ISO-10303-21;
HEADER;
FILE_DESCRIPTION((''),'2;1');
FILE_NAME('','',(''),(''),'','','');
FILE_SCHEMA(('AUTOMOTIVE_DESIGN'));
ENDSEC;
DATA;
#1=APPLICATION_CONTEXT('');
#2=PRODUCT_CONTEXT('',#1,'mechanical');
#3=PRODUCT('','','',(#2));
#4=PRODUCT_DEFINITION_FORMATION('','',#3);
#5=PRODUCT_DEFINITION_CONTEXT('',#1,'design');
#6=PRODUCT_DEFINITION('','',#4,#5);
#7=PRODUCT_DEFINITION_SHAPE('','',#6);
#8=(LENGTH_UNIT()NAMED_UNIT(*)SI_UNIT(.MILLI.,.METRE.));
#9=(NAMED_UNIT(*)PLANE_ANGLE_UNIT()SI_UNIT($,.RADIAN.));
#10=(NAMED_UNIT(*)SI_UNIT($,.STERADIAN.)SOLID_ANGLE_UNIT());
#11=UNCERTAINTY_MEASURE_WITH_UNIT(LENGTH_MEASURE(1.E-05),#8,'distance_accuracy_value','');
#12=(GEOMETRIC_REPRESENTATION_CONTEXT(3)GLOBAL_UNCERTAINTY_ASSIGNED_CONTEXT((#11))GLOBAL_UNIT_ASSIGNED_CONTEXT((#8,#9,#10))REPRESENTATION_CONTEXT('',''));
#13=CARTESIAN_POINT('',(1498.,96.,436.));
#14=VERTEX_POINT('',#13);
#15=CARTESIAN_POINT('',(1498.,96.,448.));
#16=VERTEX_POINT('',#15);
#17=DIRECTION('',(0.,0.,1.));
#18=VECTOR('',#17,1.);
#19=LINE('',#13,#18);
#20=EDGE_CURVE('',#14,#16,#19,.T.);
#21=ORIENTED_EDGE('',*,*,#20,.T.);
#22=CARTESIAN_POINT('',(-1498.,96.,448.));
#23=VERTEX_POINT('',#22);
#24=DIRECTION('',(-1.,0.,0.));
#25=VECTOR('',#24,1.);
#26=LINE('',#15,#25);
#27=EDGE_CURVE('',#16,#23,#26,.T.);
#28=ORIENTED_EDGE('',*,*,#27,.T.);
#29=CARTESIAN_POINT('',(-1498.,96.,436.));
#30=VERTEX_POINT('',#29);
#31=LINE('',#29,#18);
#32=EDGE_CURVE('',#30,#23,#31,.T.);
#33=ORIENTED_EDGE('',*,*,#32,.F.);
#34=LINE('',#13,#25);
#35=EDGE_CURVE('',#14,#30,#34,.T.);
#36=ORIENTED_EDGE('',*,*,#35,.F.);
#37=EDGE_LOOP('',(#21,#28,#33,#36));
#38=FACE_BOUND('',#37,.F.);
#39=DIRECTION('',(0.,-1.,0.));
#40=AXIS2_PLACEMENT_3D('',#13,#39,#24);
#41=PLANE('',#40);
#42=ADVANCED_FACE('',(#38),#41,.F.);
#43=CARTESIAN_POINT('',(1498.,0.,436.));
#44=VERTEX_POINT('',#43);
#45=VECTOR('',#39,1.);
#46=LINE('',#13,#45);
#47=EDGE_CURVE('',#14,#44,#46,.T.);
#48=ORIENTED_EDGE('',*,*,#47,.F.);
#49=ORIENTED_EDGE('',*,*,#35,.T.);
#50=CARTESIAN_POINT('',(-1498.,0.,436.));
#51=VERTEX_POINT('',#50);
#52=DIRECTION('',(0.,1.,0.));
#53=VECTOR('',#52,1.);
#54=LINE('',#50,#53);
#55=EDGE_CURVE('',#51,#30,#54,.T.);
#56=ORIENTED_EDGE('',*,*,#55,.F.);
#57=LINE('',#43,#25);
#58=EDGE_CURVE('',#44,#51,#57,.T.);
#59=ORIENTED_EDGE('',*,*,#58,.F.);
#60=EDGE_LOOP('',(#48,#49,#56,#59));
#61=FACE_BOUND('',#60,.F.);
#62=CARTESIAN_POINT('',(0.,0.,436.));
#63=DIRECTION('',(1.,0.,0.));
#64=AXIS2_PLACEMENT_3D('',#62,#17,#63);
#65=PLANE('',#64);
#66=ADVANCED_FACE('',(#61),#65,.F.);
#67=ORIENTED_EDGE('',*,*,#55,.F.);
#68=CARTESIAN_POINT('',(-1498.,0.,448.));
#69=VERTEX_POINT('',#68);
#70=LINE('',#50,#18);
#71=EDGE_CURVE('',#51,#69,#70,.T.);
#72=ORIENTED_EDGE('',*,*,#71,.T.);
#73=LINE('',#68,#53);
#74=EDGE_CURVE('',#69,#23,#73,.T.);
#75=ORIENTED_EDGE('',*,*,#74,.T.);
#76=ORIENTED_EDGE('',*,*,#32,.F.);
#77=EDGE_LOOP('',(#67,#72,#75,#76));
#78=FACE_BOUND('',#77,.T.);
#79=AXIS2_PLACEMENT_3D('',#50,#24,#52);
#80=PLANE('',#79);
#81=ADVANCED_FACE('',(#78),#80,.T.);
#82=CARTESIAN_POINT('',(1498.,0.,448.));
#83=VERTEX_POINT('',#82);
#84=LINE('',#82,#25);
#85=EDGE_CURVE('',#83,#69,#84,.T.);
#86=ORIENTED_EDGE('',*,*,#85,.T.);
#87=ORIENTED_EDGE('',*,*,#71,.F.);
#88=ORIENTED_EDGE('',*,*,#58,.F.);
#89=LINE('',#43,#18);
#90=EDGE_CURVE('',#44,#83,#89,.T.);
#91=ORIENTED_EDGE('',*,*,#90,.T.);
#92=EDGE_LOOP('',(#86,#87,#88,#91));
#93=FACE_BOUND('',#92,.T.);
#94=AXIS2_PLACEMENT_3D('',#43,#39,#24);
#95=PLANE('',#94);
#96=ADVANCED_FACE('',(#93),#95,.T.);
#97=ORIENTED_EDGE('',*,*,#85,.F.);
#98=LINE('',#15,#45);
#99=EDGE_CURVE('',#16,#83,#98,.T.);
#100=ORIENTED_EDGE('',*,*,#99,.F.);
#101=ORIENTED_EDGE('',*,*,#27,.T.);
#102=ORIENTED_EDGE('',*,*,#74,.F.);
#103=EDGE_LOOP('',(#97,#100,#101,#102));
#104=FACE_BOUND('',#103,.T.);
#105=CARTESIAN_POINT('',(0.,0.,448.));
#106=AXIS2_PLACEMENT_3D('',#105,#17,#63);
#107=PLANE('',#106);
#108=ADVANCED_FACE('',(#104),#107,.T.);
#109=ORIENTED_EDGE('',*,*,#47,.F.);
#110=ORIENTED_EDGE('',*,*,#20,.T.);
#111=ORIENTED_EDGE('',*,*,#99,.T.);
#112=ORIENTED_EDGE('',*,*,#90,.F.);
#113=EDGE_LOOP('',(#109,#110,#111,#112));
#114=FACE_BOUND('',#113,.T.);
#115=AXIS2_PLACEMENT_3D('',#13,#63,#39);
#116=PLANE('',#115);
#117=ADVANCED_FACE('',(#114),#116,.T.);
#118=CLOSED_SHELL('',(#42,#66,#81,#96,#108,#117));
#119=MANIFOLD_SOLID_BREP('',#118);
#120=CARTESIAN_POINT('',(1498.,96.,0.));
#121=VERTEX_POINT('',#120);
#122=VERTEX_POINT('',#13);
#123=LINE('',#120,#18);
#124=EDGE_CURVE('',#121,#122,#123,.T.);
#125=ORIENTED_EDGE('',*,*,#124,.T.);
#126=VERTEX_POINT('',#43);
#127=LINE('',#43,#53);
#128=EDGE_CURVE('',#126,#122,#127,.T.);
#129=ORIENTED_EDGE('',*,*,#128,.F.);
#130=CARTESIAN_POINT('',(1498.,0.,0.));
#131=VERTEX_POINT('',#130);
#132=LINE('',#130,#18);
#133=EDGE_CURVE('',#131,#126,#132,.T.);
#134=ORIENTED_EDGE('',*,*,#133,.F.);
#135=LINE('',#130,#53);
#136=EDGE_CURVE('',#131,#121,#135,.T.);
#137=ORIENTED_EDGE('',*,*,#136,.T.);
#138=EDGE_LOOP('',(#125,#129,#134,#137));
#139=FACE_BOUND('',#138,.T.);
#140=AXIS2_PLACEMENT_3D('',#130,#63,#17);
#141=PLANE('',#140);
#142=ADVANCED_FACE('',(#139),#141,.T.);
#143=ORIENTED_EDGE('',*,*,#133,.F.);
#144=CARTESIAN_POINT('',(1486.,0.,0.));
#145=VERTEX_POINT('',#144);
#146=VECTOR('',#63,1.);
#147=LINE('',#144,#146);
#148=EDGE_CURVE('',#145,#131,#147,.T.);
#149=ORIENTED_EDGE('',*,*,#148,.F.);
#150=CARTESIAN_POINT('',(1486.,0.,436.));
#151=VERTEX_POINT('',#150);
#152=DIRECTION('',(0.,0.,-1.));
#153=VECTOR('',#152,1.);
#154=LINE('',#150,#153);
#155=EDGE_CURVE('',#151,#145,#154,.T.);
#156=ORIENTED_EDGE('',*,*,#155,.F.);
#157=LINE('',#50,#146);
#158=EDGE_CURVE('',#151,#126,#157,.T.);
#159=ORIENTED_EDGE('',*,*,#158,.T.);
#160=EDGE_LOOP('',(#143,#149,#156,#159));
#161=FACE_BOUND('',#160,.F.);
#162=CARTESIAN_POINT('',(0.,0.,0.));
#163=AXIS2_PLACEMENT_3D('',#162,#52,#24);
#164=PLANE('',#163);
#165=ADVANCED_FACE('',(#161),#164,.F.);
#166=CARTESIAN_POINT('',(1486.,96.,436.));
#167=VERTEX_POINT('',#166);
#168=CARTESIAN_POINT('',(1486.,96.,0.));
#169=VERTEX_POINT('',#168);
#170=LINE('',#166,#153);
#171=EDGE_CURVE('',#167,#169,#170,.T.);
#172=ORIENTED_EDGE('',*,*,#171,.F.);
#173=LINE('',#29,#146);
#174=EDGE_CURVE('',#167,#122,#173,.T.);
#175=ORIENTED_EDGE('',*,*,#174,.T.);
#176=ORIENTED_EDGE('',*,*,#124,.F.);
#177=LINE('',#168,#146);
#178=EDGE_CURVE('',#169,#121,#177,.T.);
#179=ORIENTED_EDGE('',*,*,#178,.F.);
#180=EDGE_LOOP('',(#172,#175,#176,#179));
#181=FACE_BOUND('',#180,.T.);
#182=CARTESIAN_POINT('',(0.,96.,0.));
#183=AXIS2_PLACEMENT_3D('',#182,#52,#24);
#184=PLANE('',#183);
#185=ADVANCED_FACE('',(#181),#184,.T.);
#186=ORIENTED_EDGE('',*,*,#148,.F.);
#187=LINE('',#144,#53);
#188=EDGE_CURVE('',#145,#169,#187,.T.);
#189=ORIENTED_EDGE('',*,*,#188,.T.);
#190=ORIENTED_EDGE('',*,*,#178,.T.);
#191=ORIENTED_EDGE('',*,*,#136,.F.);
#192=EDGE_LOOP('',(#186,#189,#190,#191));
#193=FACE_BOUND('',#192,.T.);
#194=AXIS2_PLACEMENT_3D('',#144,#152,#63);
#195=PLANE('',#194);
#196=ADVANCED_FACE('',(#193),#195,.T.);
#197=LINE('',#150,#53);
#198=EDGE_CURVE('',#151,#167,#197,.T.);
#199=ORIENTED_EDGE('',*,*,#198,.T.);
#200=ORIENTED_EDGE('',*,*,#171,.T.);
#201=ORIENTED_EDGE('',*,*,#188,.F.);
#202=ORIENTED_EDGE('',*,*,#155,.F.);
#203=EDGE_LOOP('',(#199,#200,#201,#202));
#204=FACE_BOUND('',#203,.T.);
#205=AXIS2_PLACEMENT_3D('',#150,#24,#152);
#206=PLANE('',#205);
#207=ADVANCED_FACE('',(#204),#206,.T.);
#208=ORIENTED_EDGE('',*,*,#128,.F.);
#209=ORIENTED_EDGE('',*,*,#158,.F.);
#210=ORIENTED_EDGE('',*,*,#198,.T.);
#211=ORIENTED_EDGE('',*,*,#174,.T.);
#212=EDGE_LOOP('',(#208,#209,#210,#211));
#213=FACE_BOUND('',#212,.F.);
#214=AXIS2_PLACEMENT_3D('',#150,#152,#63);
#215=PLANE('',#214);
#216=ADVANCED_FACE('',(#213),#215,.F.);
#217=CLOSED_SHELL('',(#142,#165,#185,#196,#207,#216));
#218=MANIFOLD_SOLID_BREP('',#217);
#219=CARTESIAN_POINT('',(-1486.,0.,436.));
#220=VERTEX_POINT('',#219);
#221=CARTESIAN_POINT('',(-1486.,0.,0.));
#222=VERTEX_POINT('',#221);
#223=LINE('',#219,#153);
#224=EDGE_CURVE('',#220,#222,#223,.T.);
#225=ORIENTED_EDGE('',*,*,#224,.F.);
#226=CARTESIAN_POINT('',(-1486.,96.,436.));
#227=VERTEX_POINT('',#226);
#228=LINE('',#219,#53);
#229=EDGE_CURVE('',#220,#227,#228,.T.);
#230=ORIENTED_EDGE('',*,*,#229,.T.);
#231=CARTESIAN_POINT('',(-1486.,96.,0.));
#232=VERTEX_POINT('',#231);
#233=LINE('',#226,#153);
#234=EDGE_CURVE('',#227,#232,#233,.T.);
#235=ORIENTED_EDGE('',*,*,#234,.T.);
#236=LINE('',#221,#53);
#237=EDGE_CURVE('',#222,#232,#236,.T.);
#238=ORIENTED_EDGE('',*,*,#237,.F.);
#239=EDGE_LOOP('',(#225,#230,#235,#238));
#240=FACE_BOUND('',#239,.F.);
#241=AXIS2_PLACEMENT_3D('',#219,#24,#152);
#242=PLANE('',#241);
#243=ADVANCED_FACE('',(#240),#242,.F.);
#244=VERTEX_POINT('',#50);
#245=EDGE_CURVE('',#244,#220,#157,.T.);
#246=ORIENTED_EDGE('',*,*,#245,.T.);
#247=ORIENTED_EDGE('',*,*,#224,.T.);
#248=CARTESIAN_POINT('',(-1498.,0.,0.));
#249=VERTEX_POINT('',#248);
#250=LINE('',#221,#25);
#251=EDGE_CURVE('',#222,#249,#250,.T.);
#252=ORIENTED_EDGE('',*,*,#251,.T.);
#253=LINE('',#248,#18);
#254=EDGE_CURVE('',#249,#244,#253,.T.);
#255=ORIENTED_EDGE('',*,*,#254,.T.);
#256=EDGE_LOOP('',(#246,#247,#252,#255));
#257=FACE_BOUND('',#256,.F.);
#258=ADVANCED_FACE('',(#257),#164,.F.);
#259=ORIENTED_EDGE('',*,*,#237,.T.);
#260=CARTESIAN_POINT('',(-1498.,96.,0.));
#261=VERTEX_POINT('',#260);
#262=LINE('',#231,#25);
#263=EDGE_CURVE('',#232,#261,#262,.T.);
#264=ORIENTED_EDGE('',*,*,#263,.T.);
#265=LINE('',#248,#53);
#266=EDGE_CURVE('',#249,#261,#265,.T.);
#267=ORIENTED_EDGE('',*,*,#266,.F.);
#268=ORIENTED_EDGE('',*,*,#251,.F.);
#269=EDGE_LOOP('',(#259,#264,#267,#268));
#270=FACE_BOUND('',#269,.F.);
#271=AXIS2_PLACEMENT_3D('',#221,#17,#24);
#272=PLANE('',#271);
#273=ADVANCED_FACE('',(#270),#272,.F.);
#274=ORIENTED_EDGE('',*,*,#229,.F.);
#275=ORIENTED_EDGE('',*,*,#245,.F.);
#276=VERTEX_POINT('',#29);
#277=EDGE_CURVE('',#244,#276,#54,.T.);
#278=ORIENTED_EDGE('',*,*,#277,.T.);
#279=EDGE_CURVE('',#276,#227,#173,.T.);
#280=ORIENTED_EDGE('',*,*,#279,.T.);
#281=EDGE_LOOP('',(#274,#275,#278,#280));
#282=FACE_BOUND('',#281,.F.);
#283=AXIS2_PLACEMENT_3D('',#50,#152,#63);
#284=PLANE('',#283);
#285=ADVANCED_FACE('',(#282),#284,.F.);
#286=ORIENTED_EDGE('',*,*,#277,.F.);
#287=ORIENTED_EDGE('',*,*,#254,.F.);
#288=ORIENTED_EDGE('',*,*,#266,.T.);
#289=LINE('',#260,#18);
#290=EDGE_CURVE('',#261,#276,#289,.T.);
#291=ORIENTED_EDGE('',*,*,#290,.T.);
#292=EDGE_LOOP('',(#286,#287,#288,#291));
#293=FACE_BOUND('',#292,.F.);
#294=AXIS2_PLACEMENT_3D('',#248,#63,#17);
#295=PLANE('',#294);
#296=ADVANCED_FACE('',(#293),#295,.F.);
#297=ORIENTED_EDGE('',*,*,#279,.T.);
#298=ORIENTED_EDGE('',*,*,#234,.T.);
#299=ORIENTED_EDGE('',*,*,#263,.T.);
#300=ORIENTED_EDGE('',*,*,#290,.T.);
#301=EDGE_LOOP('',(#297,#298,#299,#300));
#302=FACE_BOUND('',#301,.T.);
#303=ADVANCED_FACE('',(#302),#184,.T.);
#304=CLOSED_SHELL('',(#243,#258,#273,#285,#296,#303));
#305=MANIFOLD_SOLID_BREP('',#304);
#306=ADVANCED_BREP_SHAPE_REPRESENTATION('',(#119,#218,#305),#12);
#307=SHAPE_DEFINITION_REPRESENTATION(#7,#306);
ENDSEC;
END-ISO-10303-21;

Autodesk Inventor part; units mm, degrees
ref_plane "YZ Plane" through (0, 0, 0) normal (1, 0, 0) x (0, 1, 0)
ref_plane "XZ Plane" through (0, 0, 0) normal (0, 1, 0) x (-1, 0, 0)
sketch "Sketch1" plane through (0, 0, 0) normal (0, 0, 1) x (1, 0, 0)
  line L0 (-1498, 0) -> (1498, 0) construction
  line L1 (-1498, 0) -> (-898, 0)
  line L2 (-898, 0) -> (-898, 2068)
  line L3 (-898, 2068) -> (-1498, 2068)
  line L4 (-1498, 2068) -> (-1498, 0)
  line L5 (-898, 0) -> (-498, 0)
  line L6 (-498, 0) -> (-498, 816)
  line L7 (-498, 816) -> (-898, 816)
  line L8 (-898, 816) -> (-898, 0)
  line L9 (-498, 0) -> (102, 0)
  line L10 (102, 0) -> (102, 816)
  line L11 (102, 816) -> (-498, 816)
  line L12 (-498, 816) -> (-498, 0)
  line L13 (102, 0) -> (698, 0)
  line L14 (698, 0) -> (698, 668)
  line L15 (698, 668) -> (102, 668)
  line L16 (102, 668) -> (102, 0)
  line L17 (698, 0) -> (1498, 0)
  line L18 (1498, 0) -> (1498, 816)
  line L19 (1498, 816) -> (698, 816)
  line L20 (698, 816) -> (698, 0)
  line L21 (-1498, 0) -> (1498, 0)
  line L22 (1498, 0) -> (1498, 96)
  line L23 (1498, 96) -> (-1498, 96)
  line L24 (-1498, 96) -> (-1498, 0)
  line L25 (-898, 816) -> (1498, 816)
  line L26 (1498, 816) -> (1498, 832)
  line L27 (1498, 832) -> (-898, 832)
  line L28 (-898, 832) -> (-898, 816)
  line L29 (-898, 1972) -> (-498, 1972)
  line L30 (-498, 1972) -> (-498, 1372)
  line L31 (-498, 1372) -> (-898, 1372)
  line L32 (-898, 1372) -> (-898, 1972)
  line L33 (698, 1972) -> (1498, 1972)
  line L34 (1498, 1972) -> (1498, 1372)
  line L35 (1498, 1372) -> (698, 1372)
  line L36 (698, 1372) -> (698, 1972)
  line L37 (698, 1372) -> (98, 1372)
  line L38 (98, 1372) -> (98, 1972)
  line L39 (98, 1972) -> (698, 1972)
  line L40 (698, 1972) -> (698, 1372)
  line L41 (-498, 1372) -> (98, 1372)
  line L42 (-498, 1372) -> (-275, 1637.7611)
  line L43 (98, 1372) -> (-125, 1637.7611)
  line L44 (-275, 1637.7611) -> (-125, 1637.7611)
  line L45 (-125, 1637.7611) -> (-125, 2068)
  line L46 (-125, 2068) -> (-275, 2068)
  line L47 (-275, 2068) -> (-275, 1637.7611)
  line L48 (1098, 816) -> (1098, 96)
  line L49 (-198, 816) -> (-198, 96)
  line L50 (-898, 668) -> (-498, 668)
  line L51 (-1498, 520) -> (-898, 520)
  line L52 (-1498, 1579) -> (-898, 1579)
  line L53 (398, 1972) -> (398, 1372)
  line L54 (1098, 1972) -> (1098, 1372)
  line L55 (698, 1876) -> (1498, 1876)
  line L56 (698, 1468) -> (1498, 1468)
  line L57 (-1498, 1049.5) -> (-898, 1049.5)
  point P0 (0, 0)
  point P1 (0, 0)
  point P2 (0, 0)
  point P3 (-198, 816)
  point P4 (0, 0)
  dimension "d0" = 2996
  dimension "d1" = 600
  dimension "d2" = 2068
  dimension "d3" = 400
  dimension "d4" = 816
  dimension "d5" = 600
  dimension "d6" = 816
  dimension "d7" = 596
  dimension "d8" = 668
  dimension "d9" = 800
  dimension "d10" = 816
  dimension "d11" = 96
  dimension "d12" = 16
  dimension "d13" = 400
  dimension "d14" = 600
  dimension "d15" = 96
  dimension "d16" = 800
  dimension "d17" = 600
  dimension "d18" = 600
  dimension "d19" = 600
  dimension "d20" = 50
  dimension "d21" = 150
  dimension "d22" = 148
  dimension "d23" = 1059
  dimension "d24" = 96
  dimension "d25" = 96
  dimension "d26" = 529.5
ref_plane "Work Plane1" through (0, 0, 436) normal (0, 0, 1) x (1, 0, 0)
sketch "Sketch2" plane through (0, 0, 436) normal (0, 0, 1) x (1, 0, 0)
  line L0 (1498, 96) -> (-1498, 96) projected
  line L1 (-1498, 96) -> (1498, 96)
  line L2 (1498, 96) -> (1498, 0)
  line L3 (1498, 0) -> (-1498, 0)
  line L4 (-1498, 0) -> (-1498, 96)
  point P0 (0, 0)
  point P1 (-1498, 0)
extrude "Extrusion1" add sketch "Sketch2" along normal blind 12
sketch "Sketch3" plane through (0, 0, 0) normal (0, 1, 0) x (-1, 0, 0)
  line L0 (1498, 436) -> (-1498, 436) projected
  line L1 (1498, 436) -> (1486, 436)
  line L2 (1486, 436) -> (1486, 0)
  line L3 (1486, 0) -> (1498, 0)
  line L4 (1498, 0) -> (1498, 436)
  line L5 (-1498, 436) -> (-1486, 436)
  line L6 (-1486, 436) -> (-1486, 0)
  line L7 (-1486, 0) -> (-1498, 0)
  line L8 (-1498, 0) -> (-1498, 436)
  point P0 (0, 0)
  dimension "d30" = 12
  dimension "d31" = 12
extrude "Extrusion2" add sketch "Sketch3" along normal up to surface (96 mm away) separate body
properties part number "Toe Kick"
